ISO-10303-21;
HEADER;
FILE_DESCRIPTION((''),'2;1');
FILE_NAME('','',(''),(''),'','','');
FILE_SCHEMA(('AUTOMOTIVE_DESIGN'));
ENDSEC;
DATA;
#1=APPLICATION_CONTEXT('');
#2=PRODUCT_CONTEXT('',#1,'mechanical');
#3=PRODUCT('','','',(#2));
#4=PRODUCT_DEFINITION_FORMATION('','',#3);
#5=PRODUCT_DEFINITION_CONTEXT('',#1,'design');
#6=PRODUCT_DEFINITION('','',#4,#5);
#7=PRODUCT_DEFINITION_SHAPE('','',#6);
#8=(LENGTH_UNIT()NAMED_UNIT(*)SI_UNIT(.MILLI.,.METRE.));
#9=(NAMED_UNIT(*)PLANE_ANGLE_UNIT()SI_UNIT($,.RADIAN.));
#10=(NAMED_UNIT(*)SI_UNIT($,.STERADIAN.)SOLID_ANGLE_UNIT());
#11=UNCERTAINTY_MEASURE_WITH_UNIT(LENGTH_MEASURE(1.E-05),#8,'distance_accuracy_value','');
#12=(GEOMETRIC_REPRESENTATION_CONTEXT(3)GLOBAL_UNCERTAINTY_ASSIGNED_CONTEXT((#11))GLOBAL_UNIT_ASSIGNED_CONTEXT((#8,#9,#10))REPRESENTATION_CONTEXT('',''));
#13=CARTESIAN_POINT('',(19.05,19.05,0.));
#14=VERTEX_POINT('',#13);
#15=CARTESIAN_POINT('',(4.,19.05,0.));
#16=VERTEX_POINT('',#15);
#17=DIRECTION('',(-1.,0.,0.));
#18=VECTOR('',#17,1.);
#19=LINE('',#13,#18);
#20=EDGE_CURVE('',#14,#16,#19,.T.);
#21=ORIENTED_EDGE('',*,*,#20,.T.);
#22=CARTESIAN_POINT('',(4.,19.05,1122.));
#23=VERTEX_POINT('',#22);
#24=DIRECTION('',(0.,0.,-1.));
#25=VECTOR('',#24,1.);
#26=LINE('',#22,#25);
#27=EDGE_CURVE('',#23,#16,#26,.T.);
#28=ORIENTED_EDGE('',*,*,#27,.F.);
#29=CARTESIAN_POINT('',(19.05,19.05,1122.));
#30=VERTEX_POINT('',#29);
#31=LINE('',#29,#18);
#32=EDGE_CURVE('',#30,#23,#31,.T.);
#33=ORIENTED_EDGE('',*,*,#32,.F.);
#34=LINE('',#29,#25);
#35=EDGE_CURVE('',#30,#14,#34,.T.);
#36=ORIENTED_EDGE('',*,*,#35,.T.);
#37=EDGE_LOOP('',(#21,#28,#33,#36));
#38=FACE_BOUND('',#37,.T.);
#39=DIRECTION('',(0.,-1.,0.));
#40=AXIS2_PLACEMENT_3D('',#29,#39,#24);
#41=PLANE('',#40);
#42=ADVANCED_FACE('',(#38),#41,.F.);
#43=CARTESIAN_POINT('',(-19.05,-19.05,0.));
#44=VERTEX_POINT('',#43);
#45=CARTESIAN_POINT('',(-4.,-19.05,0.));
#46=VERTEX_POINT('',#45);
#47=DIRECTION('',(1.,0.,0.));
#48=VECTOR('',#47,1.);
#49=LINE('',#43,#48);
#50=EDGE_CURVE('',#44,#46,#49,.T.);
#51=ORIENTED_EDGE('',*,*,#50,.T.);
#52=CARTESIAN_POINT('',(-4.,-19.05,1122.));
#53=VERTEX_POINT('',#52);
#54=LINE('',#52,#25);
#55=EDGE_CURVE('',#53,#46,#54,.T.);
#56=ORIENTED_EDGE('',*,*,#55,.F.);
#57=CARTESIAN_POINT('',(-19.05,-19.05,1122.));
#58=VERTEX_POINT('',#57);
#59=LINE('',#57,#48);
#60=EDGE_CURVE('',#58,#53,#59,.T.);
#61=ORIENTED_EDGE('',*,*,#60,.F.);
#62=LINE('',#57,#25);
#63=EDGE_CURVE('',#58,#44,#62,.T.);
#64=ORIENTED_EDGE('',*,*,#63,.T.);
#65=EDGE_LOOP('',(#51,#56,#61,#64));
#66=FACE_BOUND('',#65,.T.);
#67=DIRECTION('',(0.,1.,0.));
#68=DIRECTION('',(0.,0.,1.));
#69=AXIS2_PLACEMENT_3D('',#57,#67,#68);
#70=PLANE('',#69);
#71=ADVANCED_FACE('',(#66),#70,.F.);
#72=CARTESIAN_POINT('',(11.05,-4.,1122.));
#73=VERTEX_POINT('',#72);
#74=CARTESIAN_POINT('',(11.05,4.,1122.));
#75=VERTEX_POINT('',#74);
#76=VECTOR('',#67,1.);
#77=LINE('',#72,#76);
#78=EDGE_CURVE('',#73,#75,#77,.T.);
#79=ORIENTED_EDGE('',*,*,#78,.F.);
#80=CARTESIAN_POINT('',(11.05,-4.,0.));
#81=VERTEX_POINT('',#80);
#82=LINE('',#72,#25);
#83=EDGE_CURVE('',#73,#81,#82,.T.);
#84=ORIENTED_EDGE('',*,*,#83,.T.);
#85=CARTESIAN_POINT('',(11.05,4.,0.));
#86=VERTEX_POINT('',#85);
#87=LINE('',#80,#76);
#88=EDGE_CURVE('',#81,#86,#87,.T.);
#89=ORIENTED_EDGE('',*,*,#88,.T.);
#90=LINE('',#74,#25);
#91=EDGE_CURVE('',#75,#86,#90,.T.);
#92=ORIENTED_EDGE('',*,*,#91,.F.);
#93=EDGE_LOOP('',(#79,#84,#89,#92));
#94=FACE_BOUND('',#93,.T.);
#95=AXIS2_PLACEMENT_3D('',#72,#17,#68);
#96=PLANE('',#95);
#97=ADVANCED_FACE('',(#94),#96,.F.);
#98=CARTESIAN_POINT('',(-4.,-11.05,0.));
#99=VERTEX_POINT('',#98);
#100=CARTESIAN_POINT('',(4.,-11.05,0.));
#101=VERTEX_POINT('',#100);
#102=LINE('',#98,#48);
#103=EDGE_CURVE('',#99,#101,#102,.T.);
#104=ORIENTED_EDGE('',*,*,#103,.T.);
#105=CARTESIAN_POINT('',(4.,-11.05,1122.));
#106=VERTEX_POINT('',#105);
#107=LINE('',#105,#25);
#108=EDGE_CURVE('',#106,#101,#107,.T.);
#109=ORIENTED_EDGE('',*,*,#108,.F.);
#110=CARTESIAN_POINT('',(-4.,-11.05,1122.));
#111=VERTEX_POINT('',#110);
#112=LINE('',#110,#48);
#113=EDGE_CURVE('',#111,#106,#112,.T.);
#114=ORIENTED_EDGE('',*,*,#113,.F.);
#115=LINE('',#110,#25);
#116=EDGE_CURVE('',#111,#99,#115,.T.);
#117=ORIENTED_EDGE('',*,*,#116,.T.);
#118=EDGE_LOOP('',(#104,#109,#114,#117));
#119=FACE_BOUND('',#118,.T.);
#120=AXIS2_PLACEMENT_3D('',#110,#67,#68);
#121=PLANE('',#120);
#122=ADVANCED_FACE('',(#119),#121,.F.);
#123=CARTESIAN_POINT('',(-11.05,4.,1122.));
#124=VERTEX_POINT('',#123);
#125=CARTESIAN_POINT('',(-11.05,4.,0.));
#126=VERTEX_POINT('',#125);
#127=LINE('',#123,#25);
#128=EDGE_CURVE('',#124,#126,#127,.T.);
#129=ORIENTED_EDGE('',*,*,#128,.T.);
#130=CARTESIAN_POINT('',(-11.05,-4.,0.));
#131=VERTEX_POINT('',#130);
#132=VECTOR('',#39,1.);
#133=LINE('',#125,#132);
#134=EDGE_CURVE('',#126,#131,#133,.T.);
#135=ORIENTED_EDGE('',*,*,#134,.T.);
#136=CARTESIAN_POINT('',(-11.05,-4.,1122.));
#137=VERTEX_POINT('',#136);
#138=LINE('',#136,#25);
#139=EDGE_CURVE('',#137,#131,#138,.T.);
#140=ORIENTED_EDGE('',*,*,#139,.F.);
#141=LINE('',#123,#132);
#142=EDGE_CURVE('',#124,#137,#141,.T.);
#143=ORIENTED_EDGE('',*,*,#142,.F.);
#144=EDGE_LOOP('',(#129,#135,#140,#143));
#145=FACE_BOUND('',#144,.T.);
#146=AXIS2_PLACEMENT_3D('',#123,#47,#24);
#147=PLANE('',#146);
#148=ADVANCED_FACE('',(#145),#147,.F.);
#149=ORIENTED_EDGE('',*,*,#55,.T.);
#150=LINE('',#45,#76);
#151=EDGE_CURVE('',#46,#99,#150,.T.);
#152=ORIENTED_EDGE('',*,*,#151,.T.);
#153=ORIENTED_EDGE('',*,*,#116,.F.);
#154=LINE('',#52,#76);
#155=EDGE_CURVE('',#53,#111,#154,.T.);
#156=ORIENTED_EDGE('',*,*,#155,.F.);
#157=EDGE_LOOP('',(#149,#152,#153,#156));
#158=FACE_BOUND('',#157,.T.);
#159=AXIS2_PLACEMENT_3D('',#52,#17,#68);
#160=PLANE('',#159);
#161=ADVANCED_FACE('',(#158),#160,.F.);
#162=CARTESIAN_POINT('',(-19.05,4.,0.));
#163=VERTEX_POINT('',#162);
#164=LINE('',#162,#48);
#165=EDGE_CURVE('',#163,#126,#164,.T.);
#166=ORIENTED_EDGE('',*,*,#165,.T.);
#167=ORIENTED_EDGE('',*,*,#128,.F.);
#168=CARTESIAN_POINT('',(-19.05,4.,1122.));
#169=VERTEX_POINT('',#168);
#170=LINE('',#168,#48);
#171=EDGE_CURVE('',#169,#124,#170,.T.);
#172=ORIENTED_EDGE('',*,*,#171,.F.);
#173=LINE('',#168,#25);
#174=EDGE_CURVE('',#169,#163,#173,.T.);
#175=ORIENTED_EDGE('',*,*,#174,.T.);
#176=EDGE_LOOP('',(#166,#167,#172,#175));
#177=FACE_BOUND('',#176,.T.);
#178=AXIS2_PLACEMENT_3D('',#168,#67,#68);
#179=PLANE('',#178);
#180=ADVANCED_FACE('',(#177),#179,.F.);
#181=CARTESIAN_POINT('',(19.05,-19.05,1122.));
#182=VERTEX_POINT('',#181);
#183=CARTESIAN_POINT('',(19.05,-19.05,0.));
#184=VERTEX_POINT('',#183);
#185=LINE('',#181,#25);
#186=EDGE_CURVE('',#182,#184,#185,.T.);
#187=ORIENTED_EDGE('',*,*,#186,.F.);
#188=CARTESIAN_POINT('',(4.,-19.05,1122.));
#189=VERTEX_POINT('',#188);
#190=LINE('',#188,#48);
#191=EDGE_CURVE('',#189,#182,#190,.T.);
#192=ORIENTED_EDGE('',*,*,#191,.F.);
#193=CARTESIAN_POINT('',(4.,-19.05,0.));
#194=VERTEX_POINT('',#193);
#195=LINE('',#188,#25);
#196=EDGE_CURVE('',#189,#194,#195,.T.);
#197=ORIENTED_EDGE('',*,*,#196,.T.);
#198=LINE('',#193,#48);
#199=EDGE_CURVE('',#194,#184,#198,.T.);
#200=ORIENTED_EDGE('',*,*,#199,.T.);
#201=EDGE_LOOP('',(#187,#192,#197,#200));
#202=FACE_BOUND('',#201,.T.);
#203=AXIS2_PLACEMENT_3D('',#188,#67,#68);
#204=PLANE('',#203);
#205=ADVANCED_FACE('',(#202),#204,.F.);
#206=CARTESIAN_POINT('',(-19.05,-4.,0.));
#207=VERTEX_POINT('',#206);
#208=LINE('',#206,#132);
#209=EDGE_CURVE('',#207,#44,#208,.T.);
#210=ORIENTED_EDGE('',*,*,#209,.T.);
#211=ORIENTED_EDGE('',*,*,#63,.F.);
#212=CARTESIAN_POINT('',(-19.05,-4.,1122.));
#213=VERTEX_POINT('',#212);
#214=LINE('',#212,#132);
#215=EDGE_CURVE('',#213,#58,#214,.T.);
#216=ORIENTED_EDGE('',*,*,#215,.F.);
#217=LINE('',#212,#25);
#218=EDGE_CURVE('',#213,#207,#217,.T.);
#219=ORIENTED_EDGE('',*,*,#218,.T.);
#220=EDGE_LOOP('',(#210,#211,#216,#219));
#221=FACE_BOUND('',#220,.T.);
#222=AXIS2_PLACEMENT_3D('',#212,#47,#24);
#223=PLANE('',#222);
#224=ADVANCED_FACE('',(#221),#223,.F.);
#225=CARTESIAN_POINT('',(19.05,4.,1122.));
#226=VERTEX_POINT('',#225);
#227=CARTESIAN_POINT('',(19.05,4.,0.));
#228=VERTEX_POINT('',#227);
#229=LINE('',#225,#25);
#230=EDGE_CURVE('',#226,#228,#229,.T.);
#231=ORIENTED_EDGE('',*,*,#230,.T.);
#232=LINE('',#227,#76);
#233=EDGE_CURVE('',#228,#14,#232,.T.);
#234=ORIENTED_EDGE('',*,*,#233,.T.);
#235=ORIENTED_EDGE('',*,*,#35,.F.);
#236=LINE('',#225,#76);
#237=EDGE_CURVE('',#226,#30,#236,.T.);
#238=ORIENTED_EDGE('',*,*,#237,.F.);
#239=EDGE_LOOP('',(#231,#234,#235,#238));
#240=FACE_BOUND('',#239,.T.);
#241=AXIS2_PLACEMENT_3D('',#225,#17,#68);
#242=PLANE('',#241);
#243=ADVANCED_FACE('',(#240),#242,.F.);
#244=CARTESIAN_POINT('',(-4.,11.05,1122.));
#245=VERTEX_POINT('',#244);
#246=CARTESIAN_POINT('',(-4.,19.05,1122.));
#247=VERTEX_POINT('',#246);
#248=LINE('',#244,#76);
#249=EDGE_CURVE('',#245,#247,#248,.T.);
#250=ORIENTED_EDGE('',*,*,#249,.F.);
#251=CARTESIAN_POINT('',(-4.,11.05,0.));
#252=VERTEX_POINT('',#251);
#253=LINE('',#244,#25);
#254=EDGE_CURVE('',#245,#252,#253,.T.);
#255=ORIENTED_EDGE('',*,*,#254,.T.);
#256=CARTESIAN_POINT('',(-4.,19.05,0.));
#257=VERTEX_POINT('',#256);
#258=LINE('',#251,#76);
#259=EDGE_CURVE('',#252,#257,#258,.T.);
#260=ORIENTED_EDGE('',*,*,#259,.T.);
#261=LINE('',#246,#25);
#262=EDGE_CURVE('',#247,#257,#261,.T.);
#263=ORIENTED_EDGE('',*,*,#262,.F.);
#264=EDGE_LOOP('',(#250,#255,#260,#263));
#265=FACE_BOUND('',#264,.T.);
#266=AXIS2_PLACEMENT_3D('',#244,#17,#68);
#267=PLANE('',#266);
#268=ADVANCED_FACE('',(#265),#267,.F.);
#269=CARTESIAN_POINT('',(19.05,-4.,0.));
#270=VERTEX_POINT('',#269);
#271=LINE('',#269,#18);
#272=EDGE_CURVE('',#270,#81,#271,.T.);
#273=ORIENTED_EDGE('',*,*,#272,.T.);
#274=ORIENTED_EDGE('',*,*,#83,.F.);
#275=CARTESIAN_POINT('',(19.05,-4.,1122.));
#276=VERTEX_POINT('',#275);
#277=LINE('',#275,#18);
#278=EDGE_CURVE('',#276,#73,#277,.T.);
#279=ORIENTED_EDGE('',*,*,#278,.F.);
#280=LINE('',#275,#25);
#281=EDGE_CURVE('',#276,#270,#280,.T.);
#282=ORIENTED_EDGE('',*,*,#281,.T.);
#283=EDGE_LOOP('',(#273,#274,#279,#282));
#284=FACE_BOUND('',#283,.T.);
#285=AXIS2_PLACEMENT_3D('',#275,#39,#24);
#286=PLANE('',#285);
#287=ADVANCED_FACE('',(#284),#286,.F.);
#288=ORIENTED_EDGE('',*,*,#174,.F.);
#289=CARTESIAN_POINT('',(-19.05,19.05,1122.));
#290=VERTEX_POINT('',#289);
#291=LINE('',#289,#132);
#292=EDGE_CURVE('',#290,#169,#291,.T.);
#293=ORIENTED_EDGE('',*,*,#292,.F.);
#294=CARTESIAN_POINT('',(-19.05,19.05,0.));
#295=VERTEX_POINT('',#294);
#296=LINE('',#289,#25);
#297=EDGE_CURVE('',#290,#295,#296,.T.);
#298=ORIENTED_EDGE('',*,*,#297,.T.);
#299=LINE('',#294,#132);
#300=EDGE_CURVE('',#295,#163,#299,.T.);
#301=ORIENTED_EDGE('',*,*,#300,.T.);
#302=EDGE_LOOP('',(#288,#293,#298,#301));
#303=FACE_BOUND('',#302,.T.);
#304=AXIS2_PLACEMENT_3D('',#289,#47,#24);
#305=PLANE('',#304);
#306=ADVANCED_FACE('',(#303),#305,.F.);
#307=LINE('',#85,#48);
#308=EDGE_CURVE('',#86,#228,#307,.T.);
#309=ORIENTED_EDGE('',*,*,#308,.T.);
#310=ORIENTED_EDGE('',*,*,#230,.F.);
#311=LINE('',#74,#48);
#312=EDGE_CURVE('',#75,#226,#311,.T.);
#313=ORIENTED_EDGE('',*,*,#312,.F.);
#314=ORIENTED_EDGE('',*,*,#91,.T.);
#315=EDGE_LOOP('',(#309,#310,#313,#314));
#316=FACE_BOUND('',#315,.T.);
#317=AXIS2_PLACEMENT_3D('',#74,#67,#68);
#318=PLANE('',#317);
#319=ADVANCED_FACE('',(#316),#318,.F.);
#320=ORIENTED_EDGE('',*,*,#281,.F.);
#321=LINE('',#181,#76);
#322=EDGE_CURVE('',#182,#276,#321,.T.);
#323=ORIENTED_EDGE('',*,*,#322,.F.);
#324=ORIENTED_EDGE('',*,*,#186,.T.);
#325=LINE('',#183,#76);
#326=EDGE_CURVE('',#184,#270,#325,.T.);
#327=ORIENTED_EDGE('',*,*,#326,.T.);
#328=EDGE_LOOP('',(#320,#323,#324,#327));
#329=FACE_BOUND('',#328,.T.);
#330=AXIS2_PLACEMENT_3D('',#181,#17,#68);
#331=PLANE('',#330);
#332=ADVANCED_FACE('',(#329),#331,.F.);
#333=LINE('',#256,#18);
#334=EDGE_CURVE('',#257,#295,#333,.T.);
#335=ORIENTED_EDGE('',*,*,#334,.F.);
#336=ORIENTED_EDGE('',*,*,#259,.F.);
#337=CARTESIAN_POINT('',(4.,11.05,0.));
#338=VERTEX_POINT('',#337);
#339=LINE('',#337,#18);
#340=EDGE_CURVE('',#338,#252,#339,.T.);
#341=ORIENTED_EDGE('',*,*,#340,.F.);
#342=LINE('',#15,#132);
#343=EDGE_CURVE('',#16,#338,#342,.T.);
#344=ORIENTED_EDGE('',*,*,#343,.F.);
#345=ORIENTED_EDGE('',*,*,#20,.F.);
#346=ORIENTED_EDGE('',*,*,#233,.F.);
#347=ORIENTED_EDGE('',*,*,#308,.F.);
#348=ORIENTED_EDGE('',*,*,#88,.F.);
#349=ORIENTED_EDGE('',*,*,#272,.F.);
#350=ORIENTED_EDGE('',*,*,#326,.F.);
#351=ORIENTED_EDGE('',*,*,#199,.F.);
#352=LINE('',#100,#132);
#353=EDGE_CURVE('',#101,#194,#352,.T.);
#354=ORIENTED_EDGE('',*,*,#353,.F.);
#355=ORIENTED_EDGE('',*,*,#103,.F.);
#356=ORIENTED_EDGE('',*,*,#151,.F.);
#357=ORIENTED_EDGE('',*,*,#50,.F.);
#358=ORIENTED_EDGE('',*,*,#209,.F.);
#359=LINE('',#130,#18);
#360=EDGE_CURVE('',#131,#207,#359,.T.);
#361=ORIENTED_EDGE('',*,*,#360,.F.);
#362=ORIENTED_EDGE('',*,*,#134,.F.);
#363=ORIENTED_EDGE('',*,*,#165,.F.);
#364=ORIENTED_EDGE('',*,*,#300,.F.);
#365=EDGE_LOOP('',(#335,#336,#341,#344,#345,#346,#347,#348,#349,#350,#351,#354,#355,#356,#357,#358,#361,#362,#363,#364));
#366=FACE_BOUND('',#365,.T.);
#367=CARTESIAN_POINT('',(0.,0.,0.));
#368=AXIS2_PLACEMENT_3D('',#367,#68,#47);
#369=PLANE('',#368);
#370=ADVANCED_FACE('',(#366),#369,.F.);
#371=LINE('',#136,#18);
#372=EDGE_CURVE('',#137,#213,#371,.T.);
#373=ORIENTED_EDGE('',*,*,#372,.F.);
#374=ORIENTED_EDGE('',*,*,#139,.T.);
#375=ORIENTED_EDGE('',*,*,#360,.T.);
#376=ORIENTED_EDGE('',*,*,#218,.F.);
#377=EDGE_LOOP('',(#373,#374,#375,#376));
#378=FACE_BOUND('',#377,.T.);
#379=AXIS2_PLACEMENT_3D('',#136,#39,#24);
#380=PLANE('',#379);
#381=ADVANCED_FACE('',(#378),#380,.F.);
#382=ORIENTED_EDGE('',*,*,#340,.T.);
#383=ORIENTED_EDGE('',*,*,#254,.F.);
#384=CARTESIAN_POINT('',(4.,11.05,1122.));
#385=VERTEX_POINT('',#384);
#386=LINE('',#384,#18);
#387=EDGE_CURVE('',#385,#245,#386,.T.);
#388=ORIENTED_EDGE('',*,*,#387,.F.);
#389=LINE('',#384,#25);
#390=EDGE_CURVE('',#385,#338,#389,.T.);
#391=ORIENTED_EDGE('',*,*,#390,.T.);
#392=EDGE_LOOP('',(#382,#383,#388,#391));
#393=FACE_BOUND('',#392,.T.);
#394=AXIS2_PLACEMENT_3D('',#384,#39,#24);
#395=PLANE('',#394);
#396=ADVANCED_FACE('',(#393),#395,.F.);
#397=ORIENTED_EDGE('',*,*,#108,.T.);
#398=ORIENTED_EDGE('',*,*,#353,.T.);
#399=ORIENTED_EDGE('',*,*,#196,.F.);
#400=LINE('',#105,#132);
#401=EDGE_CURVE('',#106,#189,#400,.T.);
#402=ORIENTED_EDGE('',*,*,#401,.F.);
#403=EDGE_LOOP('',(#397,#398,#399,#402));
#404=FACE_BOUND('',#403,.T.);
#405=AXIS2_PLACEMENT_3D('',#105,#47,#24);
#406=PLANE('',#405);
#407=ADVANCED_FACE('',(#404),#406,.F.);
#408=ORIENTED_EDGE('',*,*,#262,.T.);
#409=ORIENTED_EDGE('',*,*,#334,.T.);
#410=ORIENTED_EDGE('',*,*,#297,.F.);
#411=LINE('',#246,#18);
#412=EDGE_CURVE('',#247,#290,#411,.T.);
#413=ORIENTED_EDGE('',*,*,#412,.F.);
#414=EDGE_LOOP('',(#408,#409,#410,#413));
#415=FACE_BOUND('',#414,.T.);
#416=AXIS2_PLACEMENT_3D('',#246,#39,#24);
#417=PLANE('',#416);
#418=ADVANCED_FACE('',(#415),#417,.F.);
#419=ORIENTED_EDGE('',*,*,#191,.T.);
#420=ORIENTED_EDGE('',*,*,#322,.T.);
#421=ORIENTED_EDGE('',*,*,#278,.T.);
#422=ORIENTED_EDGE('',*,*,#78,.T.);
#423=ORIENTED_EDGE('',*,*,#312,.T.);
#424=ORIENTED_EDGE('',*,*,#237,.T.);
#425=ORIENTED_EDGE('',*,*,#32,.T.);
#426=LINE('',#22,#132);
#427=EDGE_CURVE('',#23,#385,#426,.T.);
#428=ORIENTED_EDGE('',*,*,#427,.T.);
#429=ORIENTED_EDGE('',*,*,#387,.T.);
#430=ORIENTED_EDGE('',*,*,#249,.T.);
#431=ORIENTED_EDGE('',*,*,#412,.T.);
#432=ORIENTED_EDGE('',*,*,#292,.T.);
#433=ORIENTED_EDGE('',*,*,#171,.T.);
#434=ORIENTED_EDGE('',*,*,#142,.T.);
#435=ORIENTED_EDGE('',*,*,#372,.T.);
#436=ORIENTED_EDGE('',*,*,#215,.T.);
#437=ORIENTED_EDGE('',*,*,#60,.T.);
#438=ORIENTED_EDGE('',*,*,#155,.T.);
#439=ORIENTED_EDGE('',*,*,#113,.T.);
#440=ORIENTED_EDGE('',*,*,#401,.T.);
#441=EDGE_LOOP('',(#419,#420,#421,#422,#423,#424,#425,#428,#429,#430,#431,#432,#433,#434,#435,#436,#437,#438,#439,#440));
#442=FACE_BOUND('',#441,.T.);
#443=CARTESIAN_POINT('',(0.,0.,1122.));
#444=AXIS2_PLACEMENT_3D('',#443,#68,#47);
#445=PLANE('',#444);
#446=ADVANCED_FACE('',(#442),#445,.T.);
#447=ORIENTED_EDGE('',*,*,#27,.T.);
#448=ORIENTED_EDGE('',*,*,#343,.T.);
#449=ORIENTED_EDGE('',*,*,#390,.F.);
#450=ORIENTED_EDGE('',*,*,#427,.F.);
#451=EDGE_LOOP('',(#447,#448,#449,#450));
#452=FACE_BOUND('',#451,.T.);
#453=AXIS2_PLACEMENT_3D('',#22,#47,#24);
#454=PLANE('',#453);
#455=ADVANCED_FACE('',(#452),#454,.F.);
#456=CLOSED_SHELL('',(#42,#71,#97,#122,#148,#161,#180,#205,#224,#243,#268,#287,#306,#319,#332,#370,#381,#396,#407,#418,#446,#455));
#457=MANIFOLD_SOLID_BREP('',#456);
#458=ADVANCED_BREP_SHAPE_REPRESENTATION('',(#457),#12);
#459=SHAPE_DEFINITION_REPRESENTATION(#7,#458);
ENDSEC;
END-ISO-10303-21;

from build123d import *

# Parameters (mm, degrees)
PROFILE_DEPTH = 1122


with BuildPart() as part:
    # Sketch1 → Profile (new body)
    with BuildSketch(Plane.XY):
        Polygon((-19.05, -19.05), (-4, -19.05), (-4, -11.05), (4, -11.05), (4, -19.05), (19.05, -19.05), (19.05, -4), (11.05, -4), (11.05, 4), (19.05, 4), (19.05, 19.05), (4, 19.05), (4, 11.05), (-4, 11.05), (-4, 19.05), (-19.05, 19.05), (-19.05, 4), (-11.05, 4), (-11.05, -4), (-19.05, -4), align=None)
    extrude(amount=PROFILE_DEPTH)


solid = part.part
